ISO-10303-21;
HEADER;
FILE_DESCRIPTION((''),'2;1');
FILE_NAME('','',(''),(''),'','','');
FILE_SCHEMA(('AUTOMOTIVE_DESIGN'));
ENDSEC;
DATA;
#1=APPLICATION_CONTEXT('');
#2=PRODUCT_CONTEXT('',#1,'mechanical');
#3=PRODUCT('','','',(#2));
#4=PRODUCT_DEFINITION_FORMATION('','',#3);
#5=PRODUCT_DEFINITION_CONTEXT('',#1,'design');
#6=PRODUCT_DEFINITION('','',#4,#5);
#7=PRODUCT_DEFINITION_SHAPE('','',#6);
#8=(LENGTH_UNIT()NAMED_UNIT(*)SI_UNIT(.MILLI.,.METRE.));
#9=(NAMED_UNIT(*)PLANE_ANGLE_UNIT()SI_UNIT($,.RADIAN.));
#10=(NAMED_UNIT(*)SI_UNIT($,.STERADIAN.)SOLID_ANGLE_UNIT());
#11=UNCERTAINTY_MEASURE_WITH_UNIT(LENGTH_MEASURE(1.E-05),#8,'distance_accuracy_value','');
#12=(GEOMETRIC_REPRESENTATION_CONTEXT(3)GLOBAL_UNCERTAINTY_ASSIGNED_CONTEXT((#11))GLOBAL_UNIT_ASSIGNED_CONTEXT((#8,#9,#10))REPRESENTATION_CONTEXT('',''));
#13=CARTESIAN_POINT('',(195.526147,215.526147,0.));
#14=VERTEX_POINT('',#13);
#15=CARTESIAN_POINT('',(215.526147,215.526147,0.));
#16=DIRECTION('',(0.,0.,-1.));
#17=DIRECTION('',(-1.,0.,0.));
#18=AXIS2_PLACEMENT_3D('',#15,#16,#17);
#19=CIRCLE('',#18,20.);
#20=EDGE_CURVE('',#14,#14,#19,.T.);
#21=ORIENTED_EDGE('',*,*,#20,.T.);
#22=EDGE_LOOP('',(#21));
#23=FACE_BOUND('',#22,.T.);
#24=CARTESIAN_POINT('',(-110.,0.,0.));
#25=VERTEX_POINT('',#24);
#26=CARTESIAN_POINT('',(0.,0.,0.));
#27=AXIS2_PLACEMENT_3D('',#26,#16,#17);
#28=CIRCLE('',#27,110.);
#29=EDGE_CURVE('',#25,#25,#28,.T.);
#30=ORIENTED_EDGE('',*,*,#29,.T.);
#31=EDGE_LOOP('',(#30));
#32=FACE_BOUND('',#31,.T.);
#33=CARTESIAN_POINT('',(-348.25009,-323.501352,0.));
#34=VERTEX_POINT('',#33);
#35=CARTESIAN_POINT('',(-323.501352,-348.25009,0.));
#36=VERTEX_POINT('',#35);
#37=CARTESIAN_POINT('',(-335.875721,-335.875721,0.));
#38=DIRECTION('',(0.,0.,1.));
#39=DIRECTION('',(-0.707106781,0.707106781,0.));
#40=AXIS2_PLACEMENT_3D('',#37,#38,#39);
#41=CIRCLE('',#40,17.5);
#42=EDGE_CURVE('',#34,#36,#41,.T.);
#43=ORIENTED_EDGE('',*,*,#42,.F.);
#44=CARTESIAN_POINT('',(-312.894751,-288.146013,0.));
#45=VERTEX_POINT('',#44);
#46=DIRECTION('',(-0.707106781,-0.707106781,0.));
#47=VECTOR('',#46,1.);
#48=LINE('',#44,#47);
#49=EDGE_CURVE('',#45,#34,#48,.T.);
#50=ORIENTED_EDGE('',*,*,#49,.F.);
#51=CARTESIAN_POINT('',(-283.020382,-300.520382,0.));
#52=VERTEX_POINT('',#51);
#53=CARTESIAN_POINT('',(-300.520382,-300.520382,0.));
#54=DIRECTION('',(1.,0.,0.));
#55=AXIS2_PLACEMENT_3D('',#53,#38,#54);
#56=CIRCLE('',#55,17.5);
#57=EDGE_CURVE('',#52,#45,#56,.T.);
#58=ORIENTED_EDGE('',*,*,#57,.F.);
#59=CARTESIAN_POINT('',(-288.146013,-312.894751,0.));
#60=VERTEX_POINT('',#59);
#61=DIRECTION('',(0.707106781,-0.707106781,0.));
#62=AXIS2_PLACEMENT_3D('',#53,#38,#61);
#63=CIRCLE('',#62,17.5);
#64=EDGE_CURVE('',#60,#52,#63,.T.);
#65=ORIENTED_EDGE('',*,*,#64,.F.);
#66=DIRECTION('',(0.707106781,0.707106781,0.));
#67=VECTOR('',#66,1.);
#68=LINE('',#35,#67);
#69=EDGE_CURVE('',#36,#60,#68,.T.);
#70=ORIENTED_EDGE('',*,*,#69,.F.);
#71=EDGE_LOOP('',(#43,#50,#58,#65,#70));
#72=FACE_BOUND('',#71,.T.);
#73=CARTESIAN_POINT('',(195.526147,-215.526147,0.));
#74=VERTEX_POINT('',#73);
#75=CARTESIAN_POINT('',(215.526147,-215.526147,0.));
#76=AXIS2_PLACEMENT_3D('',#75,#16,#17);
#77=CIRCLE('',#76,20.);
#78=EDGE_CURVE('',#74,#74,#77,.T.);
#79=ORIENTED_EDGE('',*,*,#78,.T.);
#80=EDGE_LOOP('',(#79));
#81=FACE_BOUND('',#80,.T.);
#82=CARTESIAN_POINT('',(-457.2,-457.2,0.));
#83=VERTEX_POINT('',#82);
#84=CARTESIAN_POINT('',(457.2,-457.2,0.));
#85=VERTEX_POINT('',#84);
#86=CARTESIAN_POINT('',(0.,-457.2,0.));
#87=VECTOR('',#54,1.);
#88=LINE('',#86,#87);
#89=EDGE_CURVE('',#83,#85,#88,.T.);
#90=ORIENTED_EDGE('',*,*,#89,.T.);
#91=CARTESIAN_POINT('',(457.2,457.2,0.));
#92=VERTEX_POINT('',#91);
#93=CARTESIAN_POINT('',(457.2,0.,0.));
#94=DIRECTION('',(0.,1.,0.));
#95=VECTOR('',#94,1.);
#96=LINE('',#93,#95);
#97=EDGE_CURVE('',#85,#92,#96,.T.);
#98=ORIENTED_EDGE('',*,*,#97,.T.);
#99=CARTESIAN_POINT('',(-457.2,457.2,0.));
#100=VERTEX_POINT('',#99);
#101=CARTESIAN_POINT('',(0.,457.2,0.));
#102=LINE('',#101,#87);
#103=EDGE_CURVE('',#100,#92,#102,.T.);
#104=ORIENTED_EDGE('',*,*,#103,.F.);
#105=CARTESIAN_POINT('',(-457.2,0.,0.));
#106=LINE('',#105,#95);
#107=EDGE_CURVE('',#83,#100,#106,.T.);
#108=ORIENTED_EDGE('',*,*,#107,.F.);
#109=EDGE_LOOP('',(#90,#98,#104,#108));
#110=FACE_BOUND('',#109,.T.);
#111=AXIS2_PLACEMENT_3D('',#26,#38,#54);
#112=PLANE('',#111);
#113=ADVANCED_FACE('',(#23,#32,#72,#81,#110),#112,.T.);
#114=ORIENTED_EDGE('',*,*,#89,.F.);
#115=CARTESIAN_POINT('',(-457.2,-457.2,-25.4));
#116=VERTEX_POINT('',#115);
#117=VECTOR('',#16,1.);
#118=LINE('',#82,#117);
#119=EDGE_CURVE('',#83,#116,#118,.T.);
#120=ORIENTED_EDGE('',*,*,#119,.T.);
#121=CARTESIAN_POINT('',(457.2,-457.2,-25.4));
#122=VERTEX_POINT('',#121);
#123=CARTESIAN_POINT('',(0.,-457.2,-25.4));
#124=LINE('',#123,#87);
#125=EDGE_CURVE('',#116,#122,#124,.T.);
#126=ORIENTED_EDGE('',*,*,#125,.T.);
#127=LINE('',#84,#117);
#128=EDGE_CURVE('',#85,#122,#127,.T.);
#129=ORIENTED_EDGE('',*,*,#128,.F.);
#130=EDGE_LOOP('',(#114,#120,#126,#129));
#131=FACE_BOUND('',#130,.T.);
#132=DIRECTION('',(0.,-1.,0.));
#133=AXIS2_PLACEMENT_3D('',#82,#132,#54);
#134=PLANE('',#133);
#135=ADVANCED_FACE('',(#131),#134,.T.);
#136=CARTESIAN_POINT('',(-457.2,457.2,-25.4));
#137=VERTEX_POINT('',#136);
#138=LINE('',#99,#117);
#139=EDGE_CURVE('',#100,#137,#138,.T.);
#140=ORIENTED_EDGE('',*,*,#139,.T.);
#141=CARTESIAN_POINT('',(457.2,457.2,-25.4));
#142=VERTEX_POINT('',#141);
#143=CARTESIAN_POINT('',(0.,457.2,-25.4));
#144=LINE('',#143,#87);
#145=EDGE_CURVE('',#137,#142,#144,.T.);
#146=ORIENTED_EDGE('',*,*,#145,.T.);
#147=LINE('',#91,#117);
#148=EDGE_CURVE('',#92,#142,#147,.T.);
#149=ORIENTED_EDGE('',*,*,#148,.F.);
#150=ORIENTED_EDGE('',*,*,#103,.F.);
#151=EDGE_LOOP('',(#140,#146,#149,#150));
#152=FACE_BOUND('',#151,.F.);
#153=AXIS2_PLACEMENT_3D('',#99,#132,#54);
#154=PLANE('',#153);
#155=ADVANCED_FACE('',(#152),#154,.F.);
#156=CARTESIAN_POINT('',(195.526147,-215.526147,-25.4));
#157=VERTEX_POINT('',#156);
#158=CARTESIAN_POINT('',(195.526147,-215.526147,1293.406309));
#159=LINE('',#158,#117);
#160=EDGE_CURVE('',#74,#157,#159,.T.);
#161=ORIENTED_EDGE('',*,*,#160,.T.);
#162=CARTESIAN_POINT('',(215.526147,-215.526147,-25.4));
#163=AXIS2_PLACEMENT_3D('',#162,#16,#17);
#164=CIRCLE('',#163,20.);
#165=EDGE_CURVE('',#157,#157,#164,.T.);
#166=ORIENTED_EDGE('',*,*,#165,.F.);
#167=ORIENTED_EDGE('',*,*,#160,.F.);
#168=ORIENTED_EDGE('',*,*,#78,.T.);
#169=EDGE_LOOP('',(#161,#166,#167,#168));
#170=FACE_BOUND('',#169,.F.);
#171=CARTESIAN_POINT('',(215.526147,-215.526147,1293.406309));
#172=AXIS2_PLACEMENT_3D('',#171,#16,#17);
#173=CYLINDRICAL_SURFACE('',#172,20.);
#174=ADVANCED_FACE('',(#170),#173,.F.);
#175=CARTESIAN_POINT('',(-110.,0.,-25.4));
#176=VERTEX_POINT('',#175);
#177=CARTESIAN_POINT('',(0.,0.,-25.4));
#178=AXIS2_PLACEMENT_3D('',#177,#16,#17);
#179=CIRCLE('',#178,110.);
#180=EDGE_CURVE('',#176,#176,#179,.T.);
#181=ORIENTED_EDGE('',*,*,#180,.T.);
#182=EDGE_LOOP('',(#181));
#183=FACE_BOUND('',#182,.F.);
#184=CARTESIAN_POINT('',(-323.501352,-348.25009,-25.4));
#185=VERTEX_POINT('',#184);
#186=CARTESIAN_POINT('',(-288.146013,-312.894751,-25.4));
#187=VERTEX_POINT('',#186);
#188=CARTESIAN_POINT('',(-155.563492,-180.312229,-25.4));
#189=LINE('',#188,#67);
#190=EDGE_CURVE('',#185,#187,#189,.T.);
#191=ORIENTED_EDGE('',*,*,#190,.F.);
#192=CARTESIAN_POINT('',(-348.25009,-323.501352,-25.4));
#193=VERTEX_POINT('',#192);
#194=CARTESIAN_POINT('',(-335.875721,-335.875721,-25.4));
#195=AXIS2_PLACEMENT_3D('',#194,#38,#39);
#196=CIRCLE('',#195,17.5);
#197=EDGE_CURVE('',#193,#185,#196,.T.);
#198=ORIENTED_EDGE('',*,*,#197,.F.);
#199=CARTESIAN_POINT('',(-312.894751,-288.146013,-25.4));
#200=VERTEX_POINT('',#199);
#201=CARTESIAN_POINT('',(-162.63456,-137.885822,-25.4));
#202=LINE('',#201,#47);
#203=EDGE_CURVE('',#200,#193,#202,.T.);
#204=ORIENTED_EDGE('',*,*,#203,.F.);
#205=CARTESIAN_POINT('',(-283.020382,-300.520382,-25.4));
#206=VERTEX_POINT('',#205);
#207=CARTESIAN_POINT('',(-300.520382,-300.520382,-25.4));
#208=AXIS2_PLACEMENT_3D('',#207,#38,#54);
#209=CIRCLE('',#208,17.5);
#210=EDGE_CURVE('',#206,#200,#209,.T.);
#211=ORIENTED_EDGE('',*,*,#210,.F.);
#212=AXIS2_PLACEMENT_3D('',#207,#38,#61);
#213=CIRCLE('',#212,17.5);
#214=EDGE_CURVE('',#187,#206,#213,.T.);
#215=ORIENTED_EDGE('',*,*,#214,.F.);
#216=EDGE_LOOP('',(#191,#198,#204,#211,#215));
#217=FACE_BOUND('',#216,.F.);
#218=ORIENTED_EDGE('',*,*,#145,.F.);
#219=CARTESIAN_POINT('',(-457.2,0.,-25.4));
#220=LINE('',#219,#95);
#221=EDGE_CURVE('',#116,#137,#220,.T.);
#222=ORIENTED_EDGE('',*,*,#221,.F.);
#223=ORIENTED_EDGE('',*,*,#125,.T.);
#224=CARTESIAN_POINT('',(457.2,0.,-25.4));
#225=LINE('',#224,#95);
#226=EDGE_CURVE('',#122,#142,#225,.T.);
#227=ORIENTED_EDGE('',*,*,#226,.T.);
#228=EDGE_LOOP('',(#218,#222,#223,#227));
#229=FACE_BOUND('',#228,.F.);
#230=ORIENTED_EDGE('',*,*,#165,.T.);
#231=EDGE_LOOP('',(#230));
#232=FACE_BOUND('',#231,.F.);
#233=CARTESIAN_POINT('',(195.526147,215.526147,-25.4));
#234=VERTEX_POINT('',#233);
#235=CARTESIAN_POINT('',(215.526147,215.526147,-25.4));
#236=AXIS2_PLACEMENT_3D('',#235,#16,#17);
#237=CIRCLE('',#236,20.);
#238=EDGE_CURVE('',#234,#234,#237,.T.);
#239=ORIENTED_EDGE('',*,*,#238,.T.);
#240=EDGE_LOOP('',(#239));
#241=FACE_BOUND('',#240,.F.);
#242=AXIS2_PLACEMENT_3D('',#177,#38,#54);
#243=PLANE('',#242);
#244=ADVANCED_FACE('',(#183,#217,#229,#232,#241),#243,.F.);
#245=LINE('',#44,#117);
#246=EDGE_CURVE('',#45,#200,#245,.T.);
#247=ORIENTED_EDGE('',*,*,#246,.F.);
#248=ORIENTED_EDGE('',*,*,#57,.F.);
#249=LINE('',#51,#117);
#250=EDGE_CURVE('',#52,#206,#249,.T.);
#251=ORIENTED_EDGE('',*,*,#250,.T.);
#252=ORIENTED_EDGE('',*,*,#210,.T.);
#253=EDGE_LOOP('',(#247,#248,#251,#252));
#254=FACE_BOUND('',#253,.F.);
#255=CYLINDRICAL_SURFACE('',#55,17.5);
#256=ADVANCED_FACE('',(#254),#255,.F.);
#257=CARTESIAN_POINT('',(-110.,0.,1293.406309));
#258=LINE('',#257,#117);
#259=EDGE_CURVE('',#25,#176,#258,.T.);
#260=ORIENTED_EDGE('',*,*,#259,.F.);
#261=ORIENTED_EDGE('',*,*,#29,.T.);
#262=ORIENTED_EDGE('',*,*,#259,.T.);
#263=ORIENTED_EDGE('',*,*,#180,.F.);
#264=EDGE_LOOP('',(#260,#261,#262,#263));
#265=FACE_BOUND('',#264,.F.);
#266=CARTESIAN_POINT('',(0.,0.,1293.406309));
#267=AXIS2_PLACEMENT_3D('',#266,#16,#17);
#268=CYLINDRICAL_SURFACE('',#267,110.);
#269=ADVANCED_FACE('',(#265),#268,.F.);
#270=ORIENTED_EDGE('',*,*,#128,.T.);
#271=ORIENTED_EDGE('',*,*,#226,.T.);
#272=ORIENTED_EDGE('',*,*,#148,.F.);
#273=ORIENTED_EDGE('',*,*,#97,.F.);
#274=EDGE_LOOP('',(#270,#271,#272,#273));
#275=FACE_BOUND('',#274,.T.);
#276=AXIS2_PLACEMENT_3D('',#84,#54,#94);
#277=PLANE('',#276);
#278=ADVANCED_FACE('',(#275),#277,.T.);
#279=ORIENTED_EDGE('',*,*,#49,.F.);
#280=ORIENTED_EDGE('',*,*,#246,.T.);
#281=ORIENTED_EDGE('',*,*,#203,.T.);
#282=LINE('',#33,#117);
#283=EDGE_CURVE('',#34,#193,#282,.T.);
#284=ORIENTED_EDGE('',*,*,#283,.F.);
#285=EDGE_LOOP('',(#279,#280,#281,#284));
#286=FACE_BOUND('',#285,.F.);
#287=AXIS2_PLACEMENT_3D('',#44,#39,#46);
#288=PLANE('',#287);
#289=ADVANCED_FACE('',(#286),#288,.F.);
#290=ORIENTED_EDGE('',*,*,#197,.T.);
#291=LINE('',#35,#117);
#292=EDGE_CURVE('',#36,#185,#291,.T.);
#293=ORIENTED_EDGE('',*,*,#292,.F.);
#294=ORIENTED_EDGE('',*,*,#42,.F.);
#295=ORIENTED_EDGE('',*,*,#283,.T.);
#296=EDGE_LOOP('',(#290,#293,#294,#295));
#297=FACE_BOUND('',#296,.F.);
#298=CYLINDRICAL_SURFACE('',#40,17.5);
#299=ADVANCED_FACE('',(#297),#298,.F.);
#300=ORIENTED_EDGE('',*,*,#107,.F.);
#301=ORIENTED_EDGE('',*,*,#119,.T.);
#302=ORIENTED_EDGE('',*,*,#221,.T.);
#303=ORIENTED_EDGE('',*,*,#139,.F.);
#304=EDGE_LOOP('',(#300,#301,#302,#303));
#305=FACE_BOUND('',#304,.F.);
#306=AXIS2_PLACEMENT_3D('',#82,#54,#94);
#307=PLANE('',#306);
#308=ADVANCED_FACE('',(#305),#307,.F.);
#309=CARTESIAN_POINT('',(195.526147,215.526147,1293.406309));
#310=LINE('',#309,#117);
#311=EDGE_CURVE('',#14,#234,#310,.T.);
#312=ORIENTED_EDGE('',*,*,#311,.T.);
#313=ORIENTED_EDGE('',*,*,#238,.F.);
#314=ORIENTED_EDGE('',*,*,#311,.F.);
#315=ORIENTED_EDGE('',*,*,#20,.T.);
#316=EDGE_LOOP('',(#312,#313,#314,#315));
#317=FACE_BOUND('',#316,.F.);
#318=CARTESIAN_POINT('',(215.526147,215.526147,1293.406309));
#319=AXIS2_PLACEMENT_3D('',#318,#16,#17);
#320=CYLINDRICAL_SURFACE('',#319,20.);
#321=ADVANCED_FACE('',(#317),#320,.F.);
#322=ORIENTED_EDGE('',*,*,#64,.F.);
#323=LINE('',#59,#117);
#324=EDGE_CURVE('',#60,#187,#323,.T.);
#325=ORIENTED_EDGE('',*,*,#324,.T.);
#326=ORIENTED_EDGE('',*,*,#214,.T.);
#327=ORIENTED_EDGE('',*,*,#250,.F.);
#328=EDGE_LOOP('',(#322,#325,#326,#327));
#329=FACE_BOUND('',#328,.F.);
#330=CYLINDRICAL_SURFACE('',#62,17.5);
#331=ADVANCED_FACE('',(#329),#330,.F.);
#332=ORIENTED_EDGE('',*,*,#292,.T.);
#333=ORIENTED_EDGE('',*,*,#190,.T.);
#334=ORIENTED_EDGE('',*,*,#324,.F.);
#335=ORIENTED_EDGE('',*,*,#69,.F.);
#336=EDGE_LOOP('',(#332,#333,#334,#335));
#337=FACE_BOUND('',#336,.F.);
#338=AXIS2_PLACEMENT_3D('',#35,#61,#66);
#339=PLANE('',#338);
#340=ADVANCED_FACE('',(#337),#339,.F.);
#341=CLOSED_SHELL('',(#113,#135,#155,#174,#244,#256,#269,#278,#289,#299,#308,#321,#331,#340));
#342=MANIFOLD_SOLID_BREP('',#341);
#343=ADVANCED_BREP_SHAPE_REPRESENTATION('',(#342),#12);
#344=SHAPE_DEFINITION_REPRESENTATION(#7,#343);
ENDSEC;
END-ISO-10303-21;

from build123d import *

# Parameters (mm, degrees)
F0_W     = 914.4
F0_H     = 914.4
F1_DEPTH = 25.4
F3_D     = 220
F5_D     = 40
F7_DEPTH = 25.401


with BuildPart() as f1:
    # F0 (on Top) → F1 (new body)
    with BuildSketch(Plane.XY):
        Rectangle(F0_W, F0_H)
    extrude(amount=-F1_DEPTH)

    # F3 (through all)
    with Locations(Plane.XY):
        with Locations((0, 0)):
            Hole(F3_D / 2)

    # F5 (through all)
    with Locations(Plane.XY):
        with Locations((215.5261469057, 215.5261469057), (215.5261469057, -215.5261469057)):
            Hole(F5_D / 2)

    # F6 (on face) → F7 (cut, through all)
    with BuildSketch(Plane.XY):
        with BuildLine():
            ThreePointArc((-288.1460133335, -312.894750675), (-300.5203820043, -318.0203820043), (-312.894750675, -312.894750675))
            Line((-312.894750675, -312.894750675), (-323.5013523928, -323.5013523928))
            ThreePointArc((-323.5013523928, -323.5013523928), (-319.7078292447, -329.1787609972), (-318.3757210636, -335.8757210636))
            ThreePointArc((-318.3757210636, -335.8757210636), (-319.7078292447, -342.57268113), (-323.5013523928, -348.2500897344))
            Line((-323.5013523928, -348.2500897344), (-288.1460133335, -312.894750675))
        make_face()
        with BuildLine():
            ThreePointArc((-318.3757210636, -335.8757210636), (-319.7078292447, -329.1787609972), (-323.5013523928, -323.5013523928))
            ThreePointArc((-323.5013523928, -323.5013523928), (-335.8757210636, -318.3757210636), (-348.2500897344, -323.5013523928))
            ThreePointArc((-348.2500897344, -323.5013523928), (-348.2500897344, -348.2500897344), (-323.5013523928, -348.2500897344))
            ThreePointArc((-323.5013523928, -348.2500897344), (-319.7078292447, -342.57268113), (-318.3757210636, -335.8757210636))
        make_face()
        with BuildLine():
            Line((-323.5013523928, -323.5013523928), (-312.894750675, -312.894750675))
            ThreePointArc((-312.894750675, -312.894750675), (-318.0203820043, -300.5203820043), (-312.894750675, -288.1460133335))
            Line((-312.894750675, -288.1460133335), (-348.2500897344, -323.5013523928))
            ThreePointArc((-348.2500897344, -323.5013523928), (-335.8757210636, -318.3757210636), (-323.5013523928, -323.5013523928))
        make_face()
        with BuildLine():
            ThreePointArc((-283.0203820043, -300.5203820043), (-284.3524901853, -293.8234219379), (-288.1460133335, -288.1460133335))
            Line((-288.1460133335, -288.1460133335), (-312.894750675, -312.894750675))
            ThreePointArc((-312.894750675, -312.894750675), (-300.5203820043, -318.0203820043), (-288.1460133335, -312.894750675))
            ThreePointArc((-288.1460133335, -312.894750675), (-284.3524901853, -307.2173420707), (-283.0203820043, -300.5203820043))
        make_face()
        with BuildLine():
            Line((-312.894750675, -312.894750675), (-288.1460133335, -288.1460133335))
            ThreePointArc((-288.1460133335, -288.1460133335), (-300.5203820043, -283.0203820043), (-312.894750675, -288.1460133335))
            ThreePointArc((-312.894750675, -288.1460133335), (-318.0203820043, -300.5203820043), (-312.894750675, -312.894750675))
        make_face()
    extrude(amount=-F7_DEPTH, mode=Mode.SUBTRACT)


solid = f1.part
